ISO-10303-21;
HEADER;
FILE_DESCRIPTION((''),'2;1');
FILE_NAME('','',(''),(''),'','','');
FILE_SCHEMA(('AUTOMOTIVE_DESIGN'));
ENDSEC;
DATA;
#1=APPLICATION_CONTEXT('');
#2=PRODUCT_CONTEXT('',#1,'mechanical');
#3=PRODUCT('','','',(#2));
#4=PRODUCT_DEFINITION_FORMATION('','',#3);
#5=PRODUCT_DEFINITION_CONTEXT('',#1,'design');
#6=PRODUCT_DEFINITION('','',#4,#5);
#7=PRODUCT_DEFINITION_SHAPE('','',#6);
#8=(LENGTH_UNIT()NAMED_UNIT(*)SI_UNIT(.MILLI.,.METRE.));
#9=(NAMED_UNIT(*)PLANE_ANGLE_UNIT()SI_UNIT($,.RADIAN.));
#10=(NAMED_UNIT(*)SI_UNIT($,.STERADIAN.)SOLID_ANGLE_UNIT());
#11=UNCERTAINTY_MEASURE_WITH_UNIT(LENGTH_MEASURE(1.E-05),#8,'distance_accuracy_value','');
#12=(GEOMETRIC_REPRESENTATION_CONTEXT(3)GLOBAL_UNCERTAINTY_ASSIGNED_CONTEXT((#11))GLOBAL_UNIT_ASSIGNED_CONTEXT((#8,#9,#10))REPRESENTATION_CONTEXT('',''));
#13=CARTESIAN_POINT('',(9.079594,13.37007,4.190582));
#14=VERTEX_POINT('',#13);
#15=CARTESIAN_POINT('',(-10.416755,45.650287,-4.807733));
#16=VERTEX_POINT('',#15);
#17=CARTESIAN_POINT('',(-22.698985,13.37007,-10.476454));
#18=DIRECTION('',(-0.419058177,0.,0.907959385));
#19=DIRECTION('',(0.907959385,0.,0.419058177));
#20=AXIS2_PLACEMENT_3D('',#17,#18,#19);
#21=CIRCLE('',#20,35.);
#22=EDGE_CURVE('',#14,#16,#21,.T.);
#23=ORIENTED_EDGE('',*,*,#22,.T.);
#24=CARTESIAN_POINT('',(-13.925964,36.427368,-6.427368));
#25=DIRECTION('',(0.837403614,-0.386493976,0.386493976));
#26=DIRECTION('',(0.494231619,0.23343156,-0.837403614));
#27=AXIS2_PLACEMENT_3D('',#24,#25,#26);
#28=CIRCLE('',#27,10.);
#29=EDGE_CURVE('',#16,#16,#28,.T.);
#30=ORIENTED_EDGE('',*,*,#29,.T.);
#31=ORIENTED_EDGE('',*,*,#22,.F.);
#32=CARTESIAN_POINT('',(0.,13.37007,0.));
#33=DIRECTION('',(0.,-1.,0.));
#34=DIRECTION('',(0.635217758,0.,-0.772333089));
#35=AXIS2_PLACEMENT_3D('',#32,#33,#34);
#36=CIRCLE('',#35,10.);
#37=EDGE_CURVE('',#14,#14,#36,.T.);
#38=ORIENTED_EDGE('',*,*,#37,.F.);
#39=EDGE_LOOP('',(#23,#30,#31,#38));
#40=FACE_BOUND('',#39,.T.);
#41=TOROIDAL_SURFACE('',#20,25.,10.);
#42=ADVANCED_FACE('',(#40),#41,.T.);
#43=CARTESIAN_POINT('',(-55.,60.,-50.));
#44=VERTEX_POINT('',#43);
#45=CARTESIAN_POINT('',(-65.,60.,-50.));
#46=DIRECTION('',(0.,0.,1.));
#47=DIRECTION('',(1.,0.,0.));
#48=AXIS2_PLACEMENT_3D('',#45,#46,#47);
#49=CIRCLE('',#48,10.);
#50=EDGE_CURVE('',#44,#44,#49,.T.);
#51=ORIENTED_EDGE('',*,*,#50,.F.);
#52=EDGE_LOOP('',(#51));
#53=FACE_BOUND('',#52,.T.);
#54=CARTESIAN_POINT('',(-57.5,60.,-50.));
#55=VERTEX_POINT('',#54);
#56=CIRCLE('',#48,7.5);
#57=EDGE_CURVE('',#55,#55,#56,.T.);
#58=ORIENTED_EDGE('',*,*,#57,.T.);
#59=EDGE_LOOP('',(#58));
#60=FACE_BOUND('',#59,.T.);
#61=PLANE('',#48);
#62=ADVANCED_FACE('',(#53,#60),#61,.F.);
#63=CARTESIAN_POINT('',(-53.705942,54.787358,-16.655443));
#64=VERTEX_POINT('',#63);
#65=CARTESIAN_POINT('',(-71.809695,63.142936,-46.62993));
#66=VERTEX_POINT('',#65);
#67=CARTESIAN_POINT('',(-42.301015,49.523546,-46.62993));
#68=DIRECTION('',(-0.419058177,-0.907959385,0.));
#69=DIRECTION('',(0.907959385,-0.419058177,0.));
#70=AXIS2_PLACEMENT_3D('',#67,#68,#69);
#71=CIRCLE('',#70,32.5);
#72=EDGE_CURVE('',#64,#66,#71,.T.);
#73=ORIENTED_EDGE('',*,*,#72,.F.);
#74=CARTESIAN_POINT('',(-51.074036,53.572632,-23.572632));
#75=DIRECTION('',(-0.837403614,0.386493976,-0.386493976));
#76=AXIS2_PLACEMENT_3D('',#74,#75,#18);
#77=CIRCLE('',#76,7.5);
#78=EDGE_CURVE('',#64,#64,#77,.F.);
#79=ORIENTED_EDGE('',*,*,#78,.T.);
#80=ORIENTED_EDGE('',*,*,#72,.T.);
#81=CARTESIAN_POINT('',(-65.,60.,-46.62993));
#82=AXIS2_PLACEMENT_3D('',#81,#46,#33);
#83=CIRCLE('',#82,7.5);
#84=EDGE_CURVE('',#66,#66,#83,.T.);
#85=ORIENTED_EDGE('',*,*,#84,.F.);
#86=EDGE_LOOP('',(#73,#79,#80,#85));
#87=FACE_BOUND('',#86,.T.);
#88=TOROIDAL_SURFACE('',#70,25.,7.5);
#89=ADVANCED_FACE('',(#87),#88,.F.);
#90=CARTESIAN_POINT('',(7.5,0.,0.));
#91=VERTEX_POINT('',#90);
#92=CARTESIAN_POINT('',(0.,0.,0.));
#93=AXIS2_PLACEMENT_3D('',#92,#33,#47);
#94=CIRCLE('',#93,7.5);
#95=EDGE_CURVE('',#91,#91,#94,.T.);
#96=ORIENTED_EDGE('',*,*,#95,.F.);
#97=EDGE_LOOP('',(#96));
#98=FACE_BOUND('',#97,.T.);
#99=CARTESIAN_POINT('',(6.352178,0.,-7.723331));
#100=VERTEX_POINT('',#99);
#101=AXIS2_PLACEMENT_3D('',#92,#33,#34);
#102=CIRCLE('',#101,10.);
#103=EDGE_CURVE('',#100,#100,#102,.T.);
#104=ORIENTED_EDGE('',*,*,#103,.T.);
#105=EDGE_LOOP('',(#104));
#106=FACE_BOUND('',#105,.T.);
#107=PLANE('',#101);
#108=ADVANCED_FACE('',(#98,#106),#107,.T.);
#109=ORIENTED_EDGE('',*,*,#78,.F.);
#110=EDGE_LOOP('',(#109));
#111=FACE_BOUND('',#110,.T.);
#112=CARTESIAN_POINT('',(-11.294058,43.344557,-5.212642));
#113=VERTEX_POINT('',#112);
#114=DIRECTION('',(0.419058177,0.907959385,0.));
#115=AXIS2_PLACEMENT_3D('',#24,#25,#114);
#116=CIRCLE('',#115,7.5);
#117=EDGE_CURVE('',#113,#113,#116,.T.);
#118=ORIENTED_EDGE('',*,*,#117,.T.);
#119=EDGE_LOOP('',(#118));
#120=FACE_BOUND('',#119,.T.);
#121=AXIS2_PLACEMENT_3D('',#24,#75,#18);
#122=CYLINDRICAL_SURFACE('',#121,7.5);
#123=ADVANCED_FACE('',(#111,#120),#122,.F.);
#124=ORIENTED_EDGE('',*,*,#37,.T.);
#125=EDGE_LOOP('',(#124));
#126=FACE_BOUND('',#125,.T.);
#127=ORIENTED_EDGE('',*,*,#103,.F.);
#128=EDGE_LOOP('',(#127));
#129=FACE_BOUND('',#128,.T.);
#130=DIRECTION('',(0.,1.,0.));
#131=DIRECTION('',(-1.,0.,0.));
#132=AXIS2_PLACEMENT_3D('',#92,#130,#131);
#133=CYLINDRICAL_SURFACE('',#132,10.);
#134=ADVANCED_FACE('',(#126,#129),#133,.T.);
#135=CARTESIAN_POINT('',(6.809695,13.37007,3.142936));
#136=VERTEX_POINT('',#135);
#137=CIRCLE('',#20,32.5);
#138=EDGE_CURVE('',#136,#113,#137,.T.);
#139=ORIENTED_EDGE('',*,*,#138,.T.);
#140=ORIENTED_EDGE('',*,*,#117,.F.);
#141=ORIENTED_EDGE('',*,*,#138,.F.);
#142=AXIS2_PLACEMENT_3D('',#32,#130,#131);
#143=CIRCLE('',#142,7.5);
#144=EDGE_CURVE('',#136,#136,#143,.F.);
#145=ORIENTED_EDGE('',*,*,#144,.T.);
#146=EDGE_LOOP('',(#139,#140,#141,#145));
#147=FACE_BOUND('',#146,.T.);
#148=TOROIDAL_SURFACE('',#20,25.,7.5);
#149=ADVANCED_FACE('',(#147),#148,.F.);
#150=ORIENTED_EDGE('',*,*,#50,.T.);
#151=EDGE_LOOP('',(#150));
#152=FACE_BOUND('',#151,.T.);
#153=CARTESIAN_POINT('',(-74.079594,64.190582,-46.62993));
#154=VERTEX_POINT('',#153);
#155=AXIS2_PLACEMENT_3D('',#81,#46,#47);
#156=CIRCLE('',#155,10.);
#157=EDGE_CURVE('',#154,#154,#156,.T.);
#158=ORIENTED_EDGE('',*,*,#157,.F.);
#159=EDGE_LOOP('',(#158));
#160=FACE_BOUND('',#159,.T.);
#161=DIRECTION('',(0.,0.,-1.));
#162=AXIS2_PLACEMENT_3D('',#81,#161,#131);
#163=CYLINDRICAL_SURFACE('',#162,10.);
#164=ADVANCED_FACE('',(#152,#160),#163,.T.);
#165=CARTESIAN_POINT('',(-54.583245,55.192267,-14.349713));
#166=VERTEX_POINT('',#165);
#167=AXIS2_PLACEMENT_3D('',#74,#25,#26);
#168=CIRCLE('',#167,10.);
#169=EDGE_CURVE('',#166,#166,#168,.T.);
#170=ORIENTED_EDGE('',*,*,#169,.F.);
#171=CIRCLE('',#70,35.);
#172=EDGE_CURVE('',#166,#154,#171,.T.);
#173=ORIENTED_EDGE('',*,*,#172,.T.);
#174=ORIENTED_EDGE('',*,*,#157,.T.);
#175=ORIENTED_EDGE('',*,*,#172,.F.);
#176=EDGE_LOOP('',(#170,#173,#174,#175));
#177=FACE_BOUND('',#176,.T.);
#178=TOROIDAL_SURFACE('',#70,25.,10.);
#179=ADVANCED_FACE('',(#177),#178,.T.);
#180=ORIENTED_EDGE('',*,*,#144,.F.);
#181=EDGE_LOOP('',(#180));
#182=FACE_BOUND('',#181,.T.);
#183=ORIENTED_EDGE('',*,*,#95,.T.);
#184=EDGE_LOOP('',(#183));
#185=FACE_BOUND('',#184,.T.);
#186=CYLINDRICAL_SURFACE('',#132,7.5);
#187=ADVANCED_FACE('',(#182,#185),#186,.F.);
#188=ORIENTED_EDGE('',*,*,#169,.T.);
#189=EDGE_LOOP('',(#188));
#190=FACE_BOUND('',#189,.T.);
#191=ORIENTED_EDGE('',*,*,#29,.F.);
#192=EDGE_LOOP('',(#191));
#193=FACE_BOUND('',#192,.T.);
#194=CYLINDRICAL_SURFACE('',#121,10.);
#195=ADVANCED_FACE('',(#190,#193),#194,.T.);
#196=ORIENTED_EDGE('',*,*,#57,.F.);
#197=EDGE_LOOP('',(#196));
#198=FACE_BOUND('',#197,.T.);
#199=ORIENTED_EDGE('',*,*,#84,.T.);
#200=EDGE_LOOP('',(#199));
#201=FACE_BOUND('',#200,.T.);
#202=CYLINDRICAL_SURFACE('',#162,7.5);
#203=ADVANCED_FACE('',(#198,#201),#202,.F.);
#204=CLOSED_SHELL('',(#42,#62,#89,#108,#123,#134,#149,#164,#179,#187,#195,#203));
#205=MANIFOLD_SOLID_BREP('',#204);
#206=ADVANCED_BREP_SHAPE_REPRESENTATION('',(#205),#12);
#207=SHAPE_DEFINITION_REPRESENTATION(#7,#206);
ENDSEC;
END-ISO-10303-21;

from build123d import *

# Parameters (mm, degrees)
SWEEP_1_PROFILE_R   = 10
SWEEP_1_PROFILE_R_2 = 7.5


with BuildPart() as part:
    # 扫描-薄件1: sweep along a curve in space
    with BuildLine() as sweep_1_path:
        Line((0, 0, 0), (0, 13.370069625, 0))
        ThreePointArc((0, 13.370069625, 0), (-3.799479767, 27.216391611, -1.753606046), (-13.925963802, 36.427367909, -6.427367909))
        Line((-51.074036198, 53.572632091, -23.572632091), (-13.925963802, 36.427367909, -6.427367909))
        ThreePointArc((-65, 60, -46.629930375), (-61.200520233, 58.246393954, -32.783608389), (-51.074036198, 53.572632091, -23.572632091))
        Line((-65, 60, -46.629930375), (-65, 60, -50))
    # 扫描-薄件1 profile (on start of the path) → 扫描-薄件1 (sweep)
    with BuildSketch(Plane(origin=(0, 0, 0), x_dir=(1, 0, 0), z_dir=(0, 1, 0))):
        Circle(SWEEP_1_PROFILE_R)
        Circle(SWEEP_1_PROFILE_R_2, mode=Mode.SUBTRACT)
    sweep(path=sweep_1_path.line)


solid = part.part
